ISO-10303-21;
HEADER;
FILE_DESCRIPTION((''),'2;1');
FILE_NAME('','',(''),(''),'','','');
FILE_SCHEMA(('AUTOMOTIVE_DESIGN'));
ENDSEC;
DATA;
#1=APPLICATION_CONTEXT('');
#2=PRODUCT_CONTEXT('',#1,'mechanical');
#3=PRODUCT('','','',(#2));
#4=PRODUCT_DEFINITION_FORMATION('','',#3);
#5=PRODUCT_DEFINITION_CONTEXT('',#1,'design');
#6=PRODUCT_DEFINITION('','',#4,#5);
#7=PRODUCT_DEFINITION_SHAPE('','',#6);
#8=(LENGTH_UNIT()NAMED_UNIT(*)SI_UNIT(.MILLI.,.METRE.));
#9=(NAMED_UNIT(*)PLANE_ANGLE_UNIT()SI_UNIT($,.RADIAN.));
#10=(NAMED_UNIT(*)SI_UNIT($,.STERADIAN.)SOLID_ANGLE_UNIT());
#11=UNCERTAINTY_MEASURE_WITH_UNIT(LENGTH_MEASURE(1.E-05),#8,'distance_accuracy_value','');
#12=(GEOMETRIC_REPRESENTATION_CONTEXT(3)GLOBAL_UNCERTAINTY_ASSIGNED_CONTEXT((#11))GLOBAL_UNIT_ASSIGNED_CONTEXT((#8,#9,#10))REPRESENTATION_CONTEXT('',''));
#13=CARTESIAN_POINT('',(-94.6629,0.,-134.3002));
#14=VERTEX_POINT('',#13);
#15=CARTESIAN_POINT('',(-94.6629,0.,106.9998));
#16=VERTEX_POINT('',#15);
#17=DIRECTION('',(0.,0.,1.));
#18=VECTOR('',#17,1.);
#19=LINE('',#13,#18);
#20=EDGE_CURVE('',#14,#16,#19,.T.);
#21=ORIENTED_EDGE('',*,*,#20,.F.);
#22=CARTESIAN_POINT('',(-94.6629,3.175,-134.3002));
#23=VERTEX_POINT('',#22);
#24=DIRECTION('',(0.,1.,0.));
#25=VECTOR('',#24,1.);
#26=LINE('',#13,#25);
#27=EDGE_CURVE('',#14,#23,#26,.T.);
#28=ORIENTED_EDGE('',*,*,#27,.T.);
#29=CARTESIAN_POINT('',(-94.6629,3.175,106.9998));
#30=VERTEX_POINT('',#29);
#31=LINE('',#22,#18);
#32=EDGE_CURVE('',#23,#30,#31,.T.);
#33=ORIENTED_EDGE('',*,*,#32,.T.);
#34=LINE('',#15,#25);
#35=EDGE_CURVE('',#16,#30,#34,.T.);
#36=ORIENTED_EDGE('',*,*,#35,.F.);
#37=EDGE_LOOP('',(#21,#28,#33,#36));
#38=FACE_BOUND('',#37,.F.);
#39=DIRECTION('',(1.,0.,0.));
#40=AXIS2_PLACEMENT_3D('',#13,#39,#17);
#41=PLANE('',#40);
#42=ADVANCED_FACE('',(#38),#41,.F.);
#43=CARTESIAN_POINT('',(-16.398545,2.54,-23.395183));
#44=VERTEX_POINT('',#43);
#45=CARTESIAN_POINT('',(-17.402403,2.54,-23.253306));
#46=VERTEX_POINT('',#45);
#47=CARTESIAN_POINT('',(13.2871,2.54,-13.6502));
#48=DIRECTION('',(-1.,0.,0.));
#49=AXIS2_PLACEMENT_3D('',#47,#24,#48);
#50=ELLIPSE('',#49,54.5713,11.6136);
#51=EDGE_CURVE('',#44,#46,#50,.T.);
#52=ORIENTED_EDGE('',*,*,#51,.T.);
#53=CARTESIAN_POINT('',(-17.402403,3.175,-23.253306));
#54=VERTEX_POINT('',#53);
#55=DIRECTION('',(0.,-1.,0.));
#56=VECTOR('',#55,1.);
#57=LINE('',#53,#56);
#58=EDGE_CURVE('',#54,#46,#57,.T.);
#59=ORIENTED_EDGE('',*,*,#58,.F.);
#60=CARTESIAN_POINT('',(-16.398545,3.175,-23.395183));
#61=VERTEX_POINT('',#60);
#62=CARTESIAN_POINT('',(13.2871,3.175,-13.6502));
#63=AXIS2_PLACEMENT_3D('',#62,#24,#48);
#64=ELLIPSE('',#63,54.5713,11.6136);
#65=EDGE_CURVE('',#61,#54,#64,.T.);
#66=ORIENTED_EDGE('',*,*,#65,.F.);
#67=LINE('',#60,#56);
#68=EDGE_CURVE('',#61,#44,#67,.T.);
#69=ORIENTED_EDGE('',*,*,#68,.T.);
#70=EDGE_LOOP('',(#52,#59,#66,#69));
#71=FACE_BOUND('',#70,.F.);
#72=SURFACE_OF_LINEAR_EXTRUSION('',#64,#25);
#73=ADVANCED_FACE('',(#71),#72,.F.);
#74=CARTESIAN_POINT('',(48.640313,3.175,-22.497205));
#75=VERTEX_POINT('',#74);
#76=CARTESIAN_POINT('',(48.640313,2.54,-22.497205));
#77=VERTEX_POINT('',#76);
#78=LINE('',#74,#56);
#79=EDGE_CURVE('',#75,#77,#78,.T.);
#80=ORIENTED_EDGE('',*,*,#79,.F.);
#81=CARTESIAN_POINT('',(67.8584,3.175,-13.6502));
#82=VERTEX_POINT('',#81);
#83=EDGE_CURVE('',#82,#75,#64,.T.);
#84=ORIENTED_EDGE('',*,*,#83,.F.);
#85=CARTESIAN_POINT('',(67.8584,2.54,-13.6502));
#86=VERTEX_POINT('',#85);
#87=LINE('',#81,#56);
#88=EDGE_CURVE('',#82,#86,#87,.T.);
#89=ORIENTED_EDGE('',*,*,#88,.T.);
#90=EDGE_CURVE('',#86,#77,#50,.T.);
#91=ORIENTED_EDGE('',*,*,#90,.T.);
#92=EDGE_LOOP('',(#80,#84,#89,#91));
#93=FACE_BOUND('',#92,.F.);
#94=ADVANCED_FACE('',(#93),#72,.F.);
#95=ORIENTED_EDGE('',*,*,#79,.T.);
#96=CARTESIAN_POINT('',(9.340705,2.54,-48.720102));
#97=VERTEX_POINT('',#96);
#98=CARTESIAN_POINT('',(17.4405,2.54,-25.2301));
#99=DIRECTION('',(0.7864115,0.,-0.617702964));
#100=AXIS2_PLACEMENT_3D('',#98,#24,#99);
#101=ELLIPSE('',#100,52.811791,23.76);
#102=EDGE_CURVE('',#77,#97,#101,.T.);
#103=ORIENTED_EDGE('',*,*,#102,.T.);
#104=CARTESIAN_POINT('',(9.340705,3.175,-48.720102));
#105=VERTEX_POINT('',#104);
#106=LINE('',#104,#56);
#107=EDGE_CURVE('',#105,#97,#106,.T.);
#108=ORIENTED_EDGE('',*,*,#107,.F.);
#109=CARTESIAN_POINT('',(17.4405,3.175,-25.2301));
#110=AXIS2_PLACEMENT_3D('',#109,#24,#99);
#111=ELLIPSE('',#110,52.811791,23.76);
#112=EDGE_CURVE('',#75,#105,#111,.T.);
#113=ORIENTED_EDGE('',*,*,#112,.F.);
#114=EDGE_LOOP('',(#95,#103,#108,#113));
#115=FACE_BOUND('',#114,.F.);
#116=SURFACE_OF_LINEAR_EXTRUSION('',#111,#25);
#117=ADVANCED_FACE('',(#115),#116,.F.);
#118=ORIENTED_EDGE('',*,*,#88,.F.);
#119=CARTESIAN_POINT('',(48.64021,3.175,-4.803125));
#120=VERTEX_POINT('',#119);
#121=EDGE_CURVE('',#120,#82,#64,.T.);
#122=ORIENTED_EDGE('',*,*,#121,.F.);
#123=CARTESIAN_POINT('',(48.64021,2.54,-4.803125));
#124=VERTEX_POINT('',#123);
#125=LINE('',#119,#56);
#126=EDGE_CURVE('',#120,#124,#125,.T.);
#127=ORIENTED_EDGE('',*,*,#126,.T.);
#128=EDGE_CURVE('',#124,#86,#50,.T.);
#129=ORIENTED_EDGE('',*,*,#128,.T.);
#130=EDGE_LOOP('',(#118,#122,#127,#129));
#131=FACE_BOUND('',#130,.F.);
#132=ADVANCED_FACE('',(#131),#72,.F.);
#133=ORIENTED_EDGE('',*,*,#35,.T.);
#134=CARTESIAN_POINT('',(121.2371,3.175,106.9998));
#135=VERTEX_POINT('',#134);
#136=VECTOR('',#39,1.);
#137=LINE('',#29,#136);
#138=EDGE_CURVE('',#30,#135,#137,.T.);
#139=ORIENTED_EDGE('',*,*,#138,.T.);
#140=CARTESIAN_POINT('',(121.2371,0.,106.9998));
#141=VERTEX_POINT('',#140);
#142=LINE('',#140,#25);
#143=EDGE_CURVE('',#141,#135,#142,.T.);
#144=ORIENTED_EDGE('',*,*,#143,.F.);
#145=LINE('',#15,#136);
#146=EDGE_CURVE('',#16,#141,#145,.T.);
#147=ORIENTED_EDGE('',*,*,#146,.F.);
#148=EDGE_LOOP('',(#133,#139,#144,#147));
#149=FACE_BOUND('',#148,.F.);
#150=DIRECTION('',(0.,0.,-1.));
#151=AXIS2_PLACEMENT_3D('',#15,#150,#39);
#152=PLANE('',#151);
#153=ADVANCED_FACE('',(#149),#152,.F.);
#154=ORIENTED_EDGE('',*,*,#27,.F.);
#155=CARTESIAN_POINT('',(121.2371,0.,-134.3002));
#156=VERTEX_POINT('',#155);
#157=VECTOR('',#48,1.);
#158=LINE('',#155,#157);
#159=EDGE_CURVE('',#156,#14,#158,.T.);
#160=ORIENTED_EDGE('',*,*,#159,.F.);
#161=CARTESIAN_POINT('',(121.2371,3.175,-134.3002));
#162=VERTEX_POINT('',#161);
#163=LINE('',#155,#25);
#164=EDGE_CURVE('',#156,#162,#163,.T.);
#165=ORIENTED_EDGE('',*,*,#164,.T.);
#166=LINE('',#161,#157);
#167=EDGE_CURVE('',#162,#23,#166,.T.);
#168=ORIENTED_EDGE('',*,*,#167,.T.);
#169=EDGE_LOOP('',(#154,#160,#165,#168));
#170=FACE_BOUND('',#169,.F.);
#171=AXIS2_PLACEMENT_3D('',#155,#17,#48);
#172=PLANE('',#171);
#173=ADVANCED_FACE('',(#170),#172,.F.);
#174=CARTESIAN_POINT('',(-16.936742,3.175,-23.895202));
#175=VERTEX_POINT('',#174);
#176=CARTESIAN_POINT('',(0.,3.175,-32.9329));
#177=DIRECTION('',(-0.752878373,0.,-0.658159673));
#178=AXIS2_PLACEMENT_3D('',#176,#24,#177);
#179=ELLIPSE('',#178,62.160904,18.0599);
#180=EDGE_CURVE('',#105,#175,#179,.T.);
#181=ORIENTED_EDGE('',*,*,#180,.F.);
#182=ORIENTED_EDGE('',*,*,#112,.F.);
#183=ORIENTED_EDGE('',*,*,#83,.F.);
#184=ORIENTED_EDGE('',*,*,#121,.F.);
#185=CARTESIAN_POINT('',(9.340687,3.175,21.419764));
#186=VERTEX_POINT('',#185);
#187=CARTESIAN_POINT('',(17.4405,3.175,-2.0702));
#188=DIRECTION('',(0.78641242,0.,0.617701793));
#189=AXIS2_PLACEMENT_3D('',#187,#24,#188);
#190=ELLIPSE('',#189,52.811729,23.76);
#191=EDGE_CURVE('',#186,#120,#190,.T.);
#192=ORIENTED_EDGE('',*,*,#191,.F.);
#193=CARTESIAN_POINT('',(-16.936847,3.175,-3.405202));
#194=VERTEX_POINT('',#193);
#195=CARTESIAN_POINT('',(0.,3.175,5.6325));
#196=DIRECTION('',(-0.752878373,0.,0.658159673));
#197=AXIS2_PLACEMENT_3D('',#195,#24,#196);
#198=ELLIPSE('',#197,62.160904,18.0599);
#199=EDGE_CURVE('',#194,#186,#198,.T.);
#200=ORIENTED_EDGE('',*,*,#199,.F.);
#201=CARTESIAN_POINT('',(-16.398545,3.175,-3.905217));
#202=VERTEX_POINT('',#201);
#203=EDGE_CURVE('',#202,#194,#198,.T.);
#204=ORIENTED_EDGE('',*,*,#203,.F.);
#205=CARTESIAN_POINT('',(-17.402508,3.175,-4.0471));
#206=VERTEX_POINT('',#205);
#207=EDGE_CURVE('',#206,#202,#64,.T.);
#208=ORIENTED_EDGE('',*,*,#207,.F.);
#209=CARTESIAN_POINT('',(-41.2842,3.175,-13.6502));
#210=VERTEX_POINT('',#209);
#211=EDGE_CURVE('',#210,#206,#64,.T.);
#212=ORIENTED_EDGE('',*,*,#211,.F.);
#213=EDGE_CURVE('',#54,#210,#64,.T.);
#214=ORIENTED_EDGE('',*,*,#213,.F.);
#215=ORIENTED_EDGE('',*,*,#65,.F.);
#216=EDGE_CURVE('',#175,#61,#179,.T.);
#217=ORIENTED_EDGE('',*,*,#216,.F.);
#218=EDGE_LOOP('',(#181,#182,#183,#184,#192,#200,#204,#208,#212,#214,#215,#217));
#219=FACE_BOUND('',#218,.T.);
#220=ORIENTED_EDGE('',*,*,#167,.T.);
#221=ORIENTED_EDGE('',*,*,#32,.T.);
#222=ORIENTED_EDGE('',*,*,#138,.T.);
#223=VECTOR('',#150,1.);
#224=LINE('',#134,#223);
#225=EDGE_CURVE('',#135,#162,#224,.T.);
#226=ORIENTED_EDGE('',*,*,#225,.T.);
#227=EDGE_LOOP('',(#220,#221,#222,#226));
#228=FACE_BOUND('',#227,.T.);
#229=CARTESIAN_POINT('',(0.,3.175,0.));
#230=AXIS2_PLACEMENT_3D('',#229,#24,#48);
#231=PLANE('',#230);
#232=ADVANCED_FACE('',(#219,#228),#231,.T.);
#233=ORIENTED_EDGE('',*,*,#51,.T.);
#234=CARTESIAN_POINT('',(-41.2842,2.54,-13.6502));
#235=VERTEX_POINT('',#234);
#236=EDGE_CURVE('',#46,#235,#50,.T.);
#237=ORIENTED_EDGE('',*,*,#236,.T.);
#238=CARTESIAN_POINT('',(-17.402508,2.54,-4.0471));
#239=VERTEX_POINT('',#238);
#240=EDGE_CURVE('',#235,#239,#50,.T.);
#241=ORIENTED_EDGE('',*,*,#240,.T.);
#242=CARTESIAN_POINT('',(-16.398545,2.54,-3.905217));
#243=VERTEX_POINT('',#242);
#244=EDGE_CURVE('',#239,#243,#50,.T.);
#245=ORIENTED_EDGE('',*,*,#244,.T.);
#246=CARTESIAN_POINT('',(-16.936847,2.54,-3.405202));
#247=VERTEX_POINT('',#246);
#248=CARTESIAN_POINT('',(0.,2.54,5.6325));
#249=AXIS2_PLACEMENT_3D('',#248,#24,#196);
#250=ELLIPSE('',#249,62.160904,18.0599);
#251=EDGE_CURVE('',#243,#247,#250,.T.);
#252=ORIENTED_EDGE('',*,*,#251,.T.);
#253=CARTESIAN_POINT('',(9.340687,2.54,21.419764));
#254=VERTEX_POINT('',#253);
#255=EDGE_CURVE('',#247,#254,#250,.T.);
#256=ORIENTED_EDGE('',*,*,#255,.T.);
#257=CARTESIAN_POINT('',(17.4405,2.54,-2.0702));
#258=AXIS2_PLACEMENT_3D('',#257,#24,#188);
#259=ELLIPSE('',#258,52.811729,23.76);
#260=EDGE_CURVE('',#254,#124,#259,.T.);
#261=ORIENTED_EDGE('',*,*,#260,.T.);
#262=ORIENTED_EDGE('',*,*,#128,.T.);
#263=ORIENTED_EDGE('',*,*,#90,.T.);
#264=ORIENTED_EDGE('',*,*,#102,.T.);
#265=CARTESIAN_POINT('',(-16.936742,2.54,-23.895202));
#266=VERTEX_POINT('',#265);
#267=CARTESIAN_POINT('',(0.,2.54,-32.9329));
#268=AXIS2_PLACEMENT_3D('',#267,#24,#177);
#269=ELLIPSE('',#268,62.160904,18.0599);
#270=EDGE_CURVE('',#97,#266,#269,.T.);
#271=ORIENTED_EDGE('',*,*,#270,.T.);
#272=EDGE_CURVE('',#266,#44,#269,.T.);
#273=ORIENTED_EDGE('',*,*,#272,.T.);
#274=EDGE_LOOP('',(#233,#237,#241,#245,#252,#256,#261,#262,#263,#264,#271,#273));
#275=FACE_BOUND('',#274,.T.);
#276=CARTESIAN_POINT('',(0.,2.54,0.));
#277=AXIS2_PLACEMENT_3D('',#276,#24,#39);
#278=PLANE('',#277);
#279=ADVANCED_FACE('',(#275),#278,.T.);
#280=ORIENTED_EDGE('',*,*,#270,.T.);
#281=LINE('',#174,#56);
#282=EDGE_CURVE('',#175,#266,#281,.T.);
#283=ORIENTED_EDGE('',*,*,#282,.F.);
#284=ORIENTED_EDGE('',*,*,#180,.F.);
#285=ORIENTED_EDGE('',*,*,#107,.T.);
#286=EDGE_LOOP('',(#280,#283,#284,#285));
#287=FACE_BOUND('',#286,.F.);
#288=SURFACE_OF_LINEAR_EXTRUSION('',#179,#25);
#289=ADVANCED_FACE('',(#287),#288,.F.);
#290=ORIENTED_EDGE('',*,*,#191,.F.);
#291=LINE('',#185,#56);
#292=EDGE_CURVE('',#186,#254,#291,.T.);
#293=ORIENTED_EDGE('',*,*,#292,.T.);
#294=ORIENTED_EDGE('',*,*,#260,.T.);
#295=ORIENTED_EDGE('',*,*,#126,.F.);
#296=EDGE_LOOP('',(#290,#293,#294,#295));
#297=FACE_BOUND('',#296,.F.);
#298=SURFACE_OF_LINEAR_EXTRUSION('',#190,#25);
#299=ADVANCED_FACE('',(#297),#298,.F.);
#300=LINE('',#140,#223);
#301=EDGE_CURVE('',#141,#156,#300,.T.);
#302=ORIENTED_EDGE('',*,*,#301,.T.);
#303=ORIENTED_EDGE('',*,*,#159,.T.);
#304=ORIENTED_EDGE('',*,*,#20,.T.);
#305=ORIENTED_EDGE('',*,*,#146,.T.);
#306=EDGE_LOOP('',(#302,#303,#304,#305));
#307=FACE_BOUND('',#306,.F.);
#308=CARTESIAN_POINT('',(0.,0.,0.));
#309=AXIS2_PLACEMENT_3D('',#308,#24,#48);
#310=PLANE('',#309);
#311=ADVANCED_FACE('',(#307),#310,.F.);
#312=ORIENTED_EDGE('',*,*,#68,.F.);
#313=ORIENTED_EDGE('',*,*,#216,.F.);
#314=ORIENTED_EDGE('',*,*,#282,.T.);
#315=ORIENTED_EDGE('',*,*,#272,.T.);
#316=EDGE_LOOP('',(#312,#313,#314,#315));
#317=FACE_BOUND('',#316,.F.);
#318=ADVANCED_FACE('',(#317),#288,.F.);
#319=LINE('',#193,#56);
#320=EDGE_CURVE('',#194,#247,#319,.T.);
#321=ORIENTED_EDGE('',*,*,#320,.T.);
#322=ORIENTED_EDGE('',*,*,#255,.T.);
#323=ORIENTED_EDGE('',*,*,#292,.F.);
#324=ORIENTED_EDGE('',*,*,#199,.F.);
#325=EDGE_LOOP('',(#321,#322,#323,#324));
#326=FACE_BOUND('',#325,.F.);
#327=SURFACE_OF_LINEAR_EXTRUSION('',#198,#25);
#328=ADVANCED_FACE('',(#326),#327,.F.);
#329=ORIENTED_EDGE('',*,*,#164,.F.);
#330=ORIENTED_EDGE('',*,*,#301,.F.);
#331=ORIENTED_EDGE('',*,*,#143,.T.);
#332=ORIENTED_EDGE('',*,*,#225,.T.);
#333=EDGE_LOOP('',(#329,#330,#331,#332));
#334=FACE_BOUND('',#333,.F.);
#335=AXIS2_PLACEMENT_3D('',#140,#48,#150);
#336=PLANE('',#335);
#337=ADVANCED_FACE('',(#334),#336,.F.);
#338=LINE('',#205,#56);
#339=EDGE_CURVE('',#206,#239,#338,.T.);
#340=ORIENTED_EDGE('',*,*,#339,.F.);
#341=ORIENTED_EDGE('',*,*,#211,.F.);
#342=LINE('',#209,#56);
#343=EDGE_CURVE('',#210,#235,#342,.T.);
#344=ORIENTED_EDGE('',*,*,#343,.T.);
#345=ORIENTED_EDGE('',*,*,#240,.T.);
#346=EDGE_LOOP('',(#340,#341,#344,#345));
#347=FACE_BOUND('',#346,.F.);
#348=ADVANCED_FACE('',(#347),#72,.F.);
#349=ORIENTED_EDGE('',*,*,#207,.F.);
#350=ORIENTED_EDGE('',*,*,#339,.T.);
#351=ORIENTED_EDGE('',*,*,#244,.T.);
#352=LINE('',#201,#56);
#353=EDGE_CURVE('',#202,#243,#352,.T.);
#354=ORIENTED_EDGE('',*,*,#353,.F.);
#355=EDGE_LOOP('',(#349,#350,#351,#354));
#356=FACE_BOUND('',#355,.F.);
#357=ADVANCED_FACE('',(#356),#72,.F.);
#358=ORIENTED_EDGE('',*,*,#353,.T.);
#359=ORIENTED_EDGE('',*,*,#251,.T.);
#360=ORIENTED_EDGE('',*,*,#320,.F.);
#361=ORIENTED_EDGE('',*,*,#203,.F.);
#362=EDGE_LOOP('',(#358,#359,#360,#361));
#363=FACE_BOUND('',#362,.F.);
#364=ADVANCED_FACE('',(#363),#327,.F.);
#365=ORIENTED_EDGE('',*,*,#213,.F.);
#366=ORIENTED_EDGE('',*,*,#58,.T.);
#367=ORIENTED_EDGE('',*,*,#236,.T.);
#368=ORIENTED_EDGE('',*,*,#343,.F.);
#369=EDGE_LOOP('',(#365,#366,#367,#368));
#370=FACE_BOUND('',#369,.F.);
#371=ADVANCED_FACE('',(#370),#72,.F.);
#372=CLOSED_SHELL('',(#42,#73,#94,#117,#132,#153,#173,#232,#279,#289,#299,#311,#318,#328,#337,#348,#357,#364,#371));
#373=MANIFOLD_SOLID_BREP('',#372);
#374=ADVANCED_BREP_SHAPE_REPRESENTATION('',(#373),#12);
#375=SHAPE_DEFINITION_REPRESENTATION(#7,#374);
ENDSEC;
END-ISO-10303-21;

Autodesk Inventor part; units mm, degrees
ref_plane "YZ Plane" through (0, 0, 0) normal (1, 0, 0) x (0, 1, 0)
ref_plane "XZ Plane" through (0, 0, 0) normal (0, 1, 0) x (-1, 0, 0)
ref_plane "XY Plane" through (0, 0, 0) normal (0, 0, 1) x (1, 0, 0)
sketch "Sketch1" plane through (0, 0, 0) normal (0, 1, 0) x (-1, 0, 0)
  line L0 (94.6629, 106.9998) -> (-121.2371, 106.9998)
  line L1 (-121.2371, 106.9998) -> (-121.2371, -134.3002)
  line L2 (-121.2371, -134.3002) -> (94.6629, -134.3002)
  line L3 (94.6629, -134.3002) -> (94.6629, 106.9998)
  point P0 (0, 0)
  dimension "d0" = 241.3
  dimension "d1" = 215.9
extrude "Extrusion1" add sketch "Sketch1" along normal blind 3.175
sketch "Sketch2" plane through (0, 3.175, 0) normal (0, 1, 0) x (1, 0, 0)
  ellipse E0 centre (0, 32.9329) end of major axis (-46.7996, 73.8447) minor radius 18.0599 (9.3407, 48.7201) -> (-16.3986, 23.3952) ccw
  ellipse E1 centre (17.4405, 25.2301) end of major axis (58.9723, 57.8521) minor radius 23.76 (48.6403, 22.4972) -> (9.3407, 48.7201) ccw
  ellipse E2 centre (17.4405, 25.2301) end of major axis (58.9723, 57.8521) minor radius 23.76 (-16.9368, 23.8952) -> (-17.4025, 23.2533) ccw
  ellipse E3 centre (13.2871, 13.6502) end of major axis (-41.2842, 13.6502) minor radius 11.6136 (-16.3986, 23.3952) -> (-41.2842, 13.6502) ccw
  ellipse E4 centre (13.2871, 13.6502) end of major axis (-41.2842, 13.6502) minor radius 11.6136 (67.8584, 13.6502) -> (48.6403, 22.4972) ccw
  ellipse E5 centre (0, -5.6325) end of major axis (-46.7996, -46.5443) minor radius 18.0599 (-16.3986, 3.9052) -> (9.3407, -21.4198) ccw
  ellipse E6 centre (17.4405, 2.0702) end of major axis (58.9723, -30.5517) minor radius 23.76 (9.3407, -21.4198) -> (48.6403, 4.8031) ccw
  ellipse E7 centre (17.4405, 2.0702) end of major axis (58.9723, -30.5517) minor radius 23.76 (-17.4025, 4.0471) -> (-16.9368, 3.4052) ccw
  ellipse E8 centre (13.2871, 13.6502) end of major axis (-41.2842, 13.6502) minor radius 11.6136 (-41.2842, 13.6502) -> (-16.3986, 3.9052) ccw
  ellipse E9 centre (13.2871, 13.6502) end of major axis (-41.2842, 13.6502) minor radius 11.6136 (48.6403, 4.8031) -> (67.8584, 13.6502) ccw
  point P0 (0, 0)
extrude "Extrusion2" cut sketch "Sketch2" against normal blind 0.635 contours E1 E4 E9 E6 E5 E8 E3 E0
properties part number "Butterfly Logo plexiglass plane"
